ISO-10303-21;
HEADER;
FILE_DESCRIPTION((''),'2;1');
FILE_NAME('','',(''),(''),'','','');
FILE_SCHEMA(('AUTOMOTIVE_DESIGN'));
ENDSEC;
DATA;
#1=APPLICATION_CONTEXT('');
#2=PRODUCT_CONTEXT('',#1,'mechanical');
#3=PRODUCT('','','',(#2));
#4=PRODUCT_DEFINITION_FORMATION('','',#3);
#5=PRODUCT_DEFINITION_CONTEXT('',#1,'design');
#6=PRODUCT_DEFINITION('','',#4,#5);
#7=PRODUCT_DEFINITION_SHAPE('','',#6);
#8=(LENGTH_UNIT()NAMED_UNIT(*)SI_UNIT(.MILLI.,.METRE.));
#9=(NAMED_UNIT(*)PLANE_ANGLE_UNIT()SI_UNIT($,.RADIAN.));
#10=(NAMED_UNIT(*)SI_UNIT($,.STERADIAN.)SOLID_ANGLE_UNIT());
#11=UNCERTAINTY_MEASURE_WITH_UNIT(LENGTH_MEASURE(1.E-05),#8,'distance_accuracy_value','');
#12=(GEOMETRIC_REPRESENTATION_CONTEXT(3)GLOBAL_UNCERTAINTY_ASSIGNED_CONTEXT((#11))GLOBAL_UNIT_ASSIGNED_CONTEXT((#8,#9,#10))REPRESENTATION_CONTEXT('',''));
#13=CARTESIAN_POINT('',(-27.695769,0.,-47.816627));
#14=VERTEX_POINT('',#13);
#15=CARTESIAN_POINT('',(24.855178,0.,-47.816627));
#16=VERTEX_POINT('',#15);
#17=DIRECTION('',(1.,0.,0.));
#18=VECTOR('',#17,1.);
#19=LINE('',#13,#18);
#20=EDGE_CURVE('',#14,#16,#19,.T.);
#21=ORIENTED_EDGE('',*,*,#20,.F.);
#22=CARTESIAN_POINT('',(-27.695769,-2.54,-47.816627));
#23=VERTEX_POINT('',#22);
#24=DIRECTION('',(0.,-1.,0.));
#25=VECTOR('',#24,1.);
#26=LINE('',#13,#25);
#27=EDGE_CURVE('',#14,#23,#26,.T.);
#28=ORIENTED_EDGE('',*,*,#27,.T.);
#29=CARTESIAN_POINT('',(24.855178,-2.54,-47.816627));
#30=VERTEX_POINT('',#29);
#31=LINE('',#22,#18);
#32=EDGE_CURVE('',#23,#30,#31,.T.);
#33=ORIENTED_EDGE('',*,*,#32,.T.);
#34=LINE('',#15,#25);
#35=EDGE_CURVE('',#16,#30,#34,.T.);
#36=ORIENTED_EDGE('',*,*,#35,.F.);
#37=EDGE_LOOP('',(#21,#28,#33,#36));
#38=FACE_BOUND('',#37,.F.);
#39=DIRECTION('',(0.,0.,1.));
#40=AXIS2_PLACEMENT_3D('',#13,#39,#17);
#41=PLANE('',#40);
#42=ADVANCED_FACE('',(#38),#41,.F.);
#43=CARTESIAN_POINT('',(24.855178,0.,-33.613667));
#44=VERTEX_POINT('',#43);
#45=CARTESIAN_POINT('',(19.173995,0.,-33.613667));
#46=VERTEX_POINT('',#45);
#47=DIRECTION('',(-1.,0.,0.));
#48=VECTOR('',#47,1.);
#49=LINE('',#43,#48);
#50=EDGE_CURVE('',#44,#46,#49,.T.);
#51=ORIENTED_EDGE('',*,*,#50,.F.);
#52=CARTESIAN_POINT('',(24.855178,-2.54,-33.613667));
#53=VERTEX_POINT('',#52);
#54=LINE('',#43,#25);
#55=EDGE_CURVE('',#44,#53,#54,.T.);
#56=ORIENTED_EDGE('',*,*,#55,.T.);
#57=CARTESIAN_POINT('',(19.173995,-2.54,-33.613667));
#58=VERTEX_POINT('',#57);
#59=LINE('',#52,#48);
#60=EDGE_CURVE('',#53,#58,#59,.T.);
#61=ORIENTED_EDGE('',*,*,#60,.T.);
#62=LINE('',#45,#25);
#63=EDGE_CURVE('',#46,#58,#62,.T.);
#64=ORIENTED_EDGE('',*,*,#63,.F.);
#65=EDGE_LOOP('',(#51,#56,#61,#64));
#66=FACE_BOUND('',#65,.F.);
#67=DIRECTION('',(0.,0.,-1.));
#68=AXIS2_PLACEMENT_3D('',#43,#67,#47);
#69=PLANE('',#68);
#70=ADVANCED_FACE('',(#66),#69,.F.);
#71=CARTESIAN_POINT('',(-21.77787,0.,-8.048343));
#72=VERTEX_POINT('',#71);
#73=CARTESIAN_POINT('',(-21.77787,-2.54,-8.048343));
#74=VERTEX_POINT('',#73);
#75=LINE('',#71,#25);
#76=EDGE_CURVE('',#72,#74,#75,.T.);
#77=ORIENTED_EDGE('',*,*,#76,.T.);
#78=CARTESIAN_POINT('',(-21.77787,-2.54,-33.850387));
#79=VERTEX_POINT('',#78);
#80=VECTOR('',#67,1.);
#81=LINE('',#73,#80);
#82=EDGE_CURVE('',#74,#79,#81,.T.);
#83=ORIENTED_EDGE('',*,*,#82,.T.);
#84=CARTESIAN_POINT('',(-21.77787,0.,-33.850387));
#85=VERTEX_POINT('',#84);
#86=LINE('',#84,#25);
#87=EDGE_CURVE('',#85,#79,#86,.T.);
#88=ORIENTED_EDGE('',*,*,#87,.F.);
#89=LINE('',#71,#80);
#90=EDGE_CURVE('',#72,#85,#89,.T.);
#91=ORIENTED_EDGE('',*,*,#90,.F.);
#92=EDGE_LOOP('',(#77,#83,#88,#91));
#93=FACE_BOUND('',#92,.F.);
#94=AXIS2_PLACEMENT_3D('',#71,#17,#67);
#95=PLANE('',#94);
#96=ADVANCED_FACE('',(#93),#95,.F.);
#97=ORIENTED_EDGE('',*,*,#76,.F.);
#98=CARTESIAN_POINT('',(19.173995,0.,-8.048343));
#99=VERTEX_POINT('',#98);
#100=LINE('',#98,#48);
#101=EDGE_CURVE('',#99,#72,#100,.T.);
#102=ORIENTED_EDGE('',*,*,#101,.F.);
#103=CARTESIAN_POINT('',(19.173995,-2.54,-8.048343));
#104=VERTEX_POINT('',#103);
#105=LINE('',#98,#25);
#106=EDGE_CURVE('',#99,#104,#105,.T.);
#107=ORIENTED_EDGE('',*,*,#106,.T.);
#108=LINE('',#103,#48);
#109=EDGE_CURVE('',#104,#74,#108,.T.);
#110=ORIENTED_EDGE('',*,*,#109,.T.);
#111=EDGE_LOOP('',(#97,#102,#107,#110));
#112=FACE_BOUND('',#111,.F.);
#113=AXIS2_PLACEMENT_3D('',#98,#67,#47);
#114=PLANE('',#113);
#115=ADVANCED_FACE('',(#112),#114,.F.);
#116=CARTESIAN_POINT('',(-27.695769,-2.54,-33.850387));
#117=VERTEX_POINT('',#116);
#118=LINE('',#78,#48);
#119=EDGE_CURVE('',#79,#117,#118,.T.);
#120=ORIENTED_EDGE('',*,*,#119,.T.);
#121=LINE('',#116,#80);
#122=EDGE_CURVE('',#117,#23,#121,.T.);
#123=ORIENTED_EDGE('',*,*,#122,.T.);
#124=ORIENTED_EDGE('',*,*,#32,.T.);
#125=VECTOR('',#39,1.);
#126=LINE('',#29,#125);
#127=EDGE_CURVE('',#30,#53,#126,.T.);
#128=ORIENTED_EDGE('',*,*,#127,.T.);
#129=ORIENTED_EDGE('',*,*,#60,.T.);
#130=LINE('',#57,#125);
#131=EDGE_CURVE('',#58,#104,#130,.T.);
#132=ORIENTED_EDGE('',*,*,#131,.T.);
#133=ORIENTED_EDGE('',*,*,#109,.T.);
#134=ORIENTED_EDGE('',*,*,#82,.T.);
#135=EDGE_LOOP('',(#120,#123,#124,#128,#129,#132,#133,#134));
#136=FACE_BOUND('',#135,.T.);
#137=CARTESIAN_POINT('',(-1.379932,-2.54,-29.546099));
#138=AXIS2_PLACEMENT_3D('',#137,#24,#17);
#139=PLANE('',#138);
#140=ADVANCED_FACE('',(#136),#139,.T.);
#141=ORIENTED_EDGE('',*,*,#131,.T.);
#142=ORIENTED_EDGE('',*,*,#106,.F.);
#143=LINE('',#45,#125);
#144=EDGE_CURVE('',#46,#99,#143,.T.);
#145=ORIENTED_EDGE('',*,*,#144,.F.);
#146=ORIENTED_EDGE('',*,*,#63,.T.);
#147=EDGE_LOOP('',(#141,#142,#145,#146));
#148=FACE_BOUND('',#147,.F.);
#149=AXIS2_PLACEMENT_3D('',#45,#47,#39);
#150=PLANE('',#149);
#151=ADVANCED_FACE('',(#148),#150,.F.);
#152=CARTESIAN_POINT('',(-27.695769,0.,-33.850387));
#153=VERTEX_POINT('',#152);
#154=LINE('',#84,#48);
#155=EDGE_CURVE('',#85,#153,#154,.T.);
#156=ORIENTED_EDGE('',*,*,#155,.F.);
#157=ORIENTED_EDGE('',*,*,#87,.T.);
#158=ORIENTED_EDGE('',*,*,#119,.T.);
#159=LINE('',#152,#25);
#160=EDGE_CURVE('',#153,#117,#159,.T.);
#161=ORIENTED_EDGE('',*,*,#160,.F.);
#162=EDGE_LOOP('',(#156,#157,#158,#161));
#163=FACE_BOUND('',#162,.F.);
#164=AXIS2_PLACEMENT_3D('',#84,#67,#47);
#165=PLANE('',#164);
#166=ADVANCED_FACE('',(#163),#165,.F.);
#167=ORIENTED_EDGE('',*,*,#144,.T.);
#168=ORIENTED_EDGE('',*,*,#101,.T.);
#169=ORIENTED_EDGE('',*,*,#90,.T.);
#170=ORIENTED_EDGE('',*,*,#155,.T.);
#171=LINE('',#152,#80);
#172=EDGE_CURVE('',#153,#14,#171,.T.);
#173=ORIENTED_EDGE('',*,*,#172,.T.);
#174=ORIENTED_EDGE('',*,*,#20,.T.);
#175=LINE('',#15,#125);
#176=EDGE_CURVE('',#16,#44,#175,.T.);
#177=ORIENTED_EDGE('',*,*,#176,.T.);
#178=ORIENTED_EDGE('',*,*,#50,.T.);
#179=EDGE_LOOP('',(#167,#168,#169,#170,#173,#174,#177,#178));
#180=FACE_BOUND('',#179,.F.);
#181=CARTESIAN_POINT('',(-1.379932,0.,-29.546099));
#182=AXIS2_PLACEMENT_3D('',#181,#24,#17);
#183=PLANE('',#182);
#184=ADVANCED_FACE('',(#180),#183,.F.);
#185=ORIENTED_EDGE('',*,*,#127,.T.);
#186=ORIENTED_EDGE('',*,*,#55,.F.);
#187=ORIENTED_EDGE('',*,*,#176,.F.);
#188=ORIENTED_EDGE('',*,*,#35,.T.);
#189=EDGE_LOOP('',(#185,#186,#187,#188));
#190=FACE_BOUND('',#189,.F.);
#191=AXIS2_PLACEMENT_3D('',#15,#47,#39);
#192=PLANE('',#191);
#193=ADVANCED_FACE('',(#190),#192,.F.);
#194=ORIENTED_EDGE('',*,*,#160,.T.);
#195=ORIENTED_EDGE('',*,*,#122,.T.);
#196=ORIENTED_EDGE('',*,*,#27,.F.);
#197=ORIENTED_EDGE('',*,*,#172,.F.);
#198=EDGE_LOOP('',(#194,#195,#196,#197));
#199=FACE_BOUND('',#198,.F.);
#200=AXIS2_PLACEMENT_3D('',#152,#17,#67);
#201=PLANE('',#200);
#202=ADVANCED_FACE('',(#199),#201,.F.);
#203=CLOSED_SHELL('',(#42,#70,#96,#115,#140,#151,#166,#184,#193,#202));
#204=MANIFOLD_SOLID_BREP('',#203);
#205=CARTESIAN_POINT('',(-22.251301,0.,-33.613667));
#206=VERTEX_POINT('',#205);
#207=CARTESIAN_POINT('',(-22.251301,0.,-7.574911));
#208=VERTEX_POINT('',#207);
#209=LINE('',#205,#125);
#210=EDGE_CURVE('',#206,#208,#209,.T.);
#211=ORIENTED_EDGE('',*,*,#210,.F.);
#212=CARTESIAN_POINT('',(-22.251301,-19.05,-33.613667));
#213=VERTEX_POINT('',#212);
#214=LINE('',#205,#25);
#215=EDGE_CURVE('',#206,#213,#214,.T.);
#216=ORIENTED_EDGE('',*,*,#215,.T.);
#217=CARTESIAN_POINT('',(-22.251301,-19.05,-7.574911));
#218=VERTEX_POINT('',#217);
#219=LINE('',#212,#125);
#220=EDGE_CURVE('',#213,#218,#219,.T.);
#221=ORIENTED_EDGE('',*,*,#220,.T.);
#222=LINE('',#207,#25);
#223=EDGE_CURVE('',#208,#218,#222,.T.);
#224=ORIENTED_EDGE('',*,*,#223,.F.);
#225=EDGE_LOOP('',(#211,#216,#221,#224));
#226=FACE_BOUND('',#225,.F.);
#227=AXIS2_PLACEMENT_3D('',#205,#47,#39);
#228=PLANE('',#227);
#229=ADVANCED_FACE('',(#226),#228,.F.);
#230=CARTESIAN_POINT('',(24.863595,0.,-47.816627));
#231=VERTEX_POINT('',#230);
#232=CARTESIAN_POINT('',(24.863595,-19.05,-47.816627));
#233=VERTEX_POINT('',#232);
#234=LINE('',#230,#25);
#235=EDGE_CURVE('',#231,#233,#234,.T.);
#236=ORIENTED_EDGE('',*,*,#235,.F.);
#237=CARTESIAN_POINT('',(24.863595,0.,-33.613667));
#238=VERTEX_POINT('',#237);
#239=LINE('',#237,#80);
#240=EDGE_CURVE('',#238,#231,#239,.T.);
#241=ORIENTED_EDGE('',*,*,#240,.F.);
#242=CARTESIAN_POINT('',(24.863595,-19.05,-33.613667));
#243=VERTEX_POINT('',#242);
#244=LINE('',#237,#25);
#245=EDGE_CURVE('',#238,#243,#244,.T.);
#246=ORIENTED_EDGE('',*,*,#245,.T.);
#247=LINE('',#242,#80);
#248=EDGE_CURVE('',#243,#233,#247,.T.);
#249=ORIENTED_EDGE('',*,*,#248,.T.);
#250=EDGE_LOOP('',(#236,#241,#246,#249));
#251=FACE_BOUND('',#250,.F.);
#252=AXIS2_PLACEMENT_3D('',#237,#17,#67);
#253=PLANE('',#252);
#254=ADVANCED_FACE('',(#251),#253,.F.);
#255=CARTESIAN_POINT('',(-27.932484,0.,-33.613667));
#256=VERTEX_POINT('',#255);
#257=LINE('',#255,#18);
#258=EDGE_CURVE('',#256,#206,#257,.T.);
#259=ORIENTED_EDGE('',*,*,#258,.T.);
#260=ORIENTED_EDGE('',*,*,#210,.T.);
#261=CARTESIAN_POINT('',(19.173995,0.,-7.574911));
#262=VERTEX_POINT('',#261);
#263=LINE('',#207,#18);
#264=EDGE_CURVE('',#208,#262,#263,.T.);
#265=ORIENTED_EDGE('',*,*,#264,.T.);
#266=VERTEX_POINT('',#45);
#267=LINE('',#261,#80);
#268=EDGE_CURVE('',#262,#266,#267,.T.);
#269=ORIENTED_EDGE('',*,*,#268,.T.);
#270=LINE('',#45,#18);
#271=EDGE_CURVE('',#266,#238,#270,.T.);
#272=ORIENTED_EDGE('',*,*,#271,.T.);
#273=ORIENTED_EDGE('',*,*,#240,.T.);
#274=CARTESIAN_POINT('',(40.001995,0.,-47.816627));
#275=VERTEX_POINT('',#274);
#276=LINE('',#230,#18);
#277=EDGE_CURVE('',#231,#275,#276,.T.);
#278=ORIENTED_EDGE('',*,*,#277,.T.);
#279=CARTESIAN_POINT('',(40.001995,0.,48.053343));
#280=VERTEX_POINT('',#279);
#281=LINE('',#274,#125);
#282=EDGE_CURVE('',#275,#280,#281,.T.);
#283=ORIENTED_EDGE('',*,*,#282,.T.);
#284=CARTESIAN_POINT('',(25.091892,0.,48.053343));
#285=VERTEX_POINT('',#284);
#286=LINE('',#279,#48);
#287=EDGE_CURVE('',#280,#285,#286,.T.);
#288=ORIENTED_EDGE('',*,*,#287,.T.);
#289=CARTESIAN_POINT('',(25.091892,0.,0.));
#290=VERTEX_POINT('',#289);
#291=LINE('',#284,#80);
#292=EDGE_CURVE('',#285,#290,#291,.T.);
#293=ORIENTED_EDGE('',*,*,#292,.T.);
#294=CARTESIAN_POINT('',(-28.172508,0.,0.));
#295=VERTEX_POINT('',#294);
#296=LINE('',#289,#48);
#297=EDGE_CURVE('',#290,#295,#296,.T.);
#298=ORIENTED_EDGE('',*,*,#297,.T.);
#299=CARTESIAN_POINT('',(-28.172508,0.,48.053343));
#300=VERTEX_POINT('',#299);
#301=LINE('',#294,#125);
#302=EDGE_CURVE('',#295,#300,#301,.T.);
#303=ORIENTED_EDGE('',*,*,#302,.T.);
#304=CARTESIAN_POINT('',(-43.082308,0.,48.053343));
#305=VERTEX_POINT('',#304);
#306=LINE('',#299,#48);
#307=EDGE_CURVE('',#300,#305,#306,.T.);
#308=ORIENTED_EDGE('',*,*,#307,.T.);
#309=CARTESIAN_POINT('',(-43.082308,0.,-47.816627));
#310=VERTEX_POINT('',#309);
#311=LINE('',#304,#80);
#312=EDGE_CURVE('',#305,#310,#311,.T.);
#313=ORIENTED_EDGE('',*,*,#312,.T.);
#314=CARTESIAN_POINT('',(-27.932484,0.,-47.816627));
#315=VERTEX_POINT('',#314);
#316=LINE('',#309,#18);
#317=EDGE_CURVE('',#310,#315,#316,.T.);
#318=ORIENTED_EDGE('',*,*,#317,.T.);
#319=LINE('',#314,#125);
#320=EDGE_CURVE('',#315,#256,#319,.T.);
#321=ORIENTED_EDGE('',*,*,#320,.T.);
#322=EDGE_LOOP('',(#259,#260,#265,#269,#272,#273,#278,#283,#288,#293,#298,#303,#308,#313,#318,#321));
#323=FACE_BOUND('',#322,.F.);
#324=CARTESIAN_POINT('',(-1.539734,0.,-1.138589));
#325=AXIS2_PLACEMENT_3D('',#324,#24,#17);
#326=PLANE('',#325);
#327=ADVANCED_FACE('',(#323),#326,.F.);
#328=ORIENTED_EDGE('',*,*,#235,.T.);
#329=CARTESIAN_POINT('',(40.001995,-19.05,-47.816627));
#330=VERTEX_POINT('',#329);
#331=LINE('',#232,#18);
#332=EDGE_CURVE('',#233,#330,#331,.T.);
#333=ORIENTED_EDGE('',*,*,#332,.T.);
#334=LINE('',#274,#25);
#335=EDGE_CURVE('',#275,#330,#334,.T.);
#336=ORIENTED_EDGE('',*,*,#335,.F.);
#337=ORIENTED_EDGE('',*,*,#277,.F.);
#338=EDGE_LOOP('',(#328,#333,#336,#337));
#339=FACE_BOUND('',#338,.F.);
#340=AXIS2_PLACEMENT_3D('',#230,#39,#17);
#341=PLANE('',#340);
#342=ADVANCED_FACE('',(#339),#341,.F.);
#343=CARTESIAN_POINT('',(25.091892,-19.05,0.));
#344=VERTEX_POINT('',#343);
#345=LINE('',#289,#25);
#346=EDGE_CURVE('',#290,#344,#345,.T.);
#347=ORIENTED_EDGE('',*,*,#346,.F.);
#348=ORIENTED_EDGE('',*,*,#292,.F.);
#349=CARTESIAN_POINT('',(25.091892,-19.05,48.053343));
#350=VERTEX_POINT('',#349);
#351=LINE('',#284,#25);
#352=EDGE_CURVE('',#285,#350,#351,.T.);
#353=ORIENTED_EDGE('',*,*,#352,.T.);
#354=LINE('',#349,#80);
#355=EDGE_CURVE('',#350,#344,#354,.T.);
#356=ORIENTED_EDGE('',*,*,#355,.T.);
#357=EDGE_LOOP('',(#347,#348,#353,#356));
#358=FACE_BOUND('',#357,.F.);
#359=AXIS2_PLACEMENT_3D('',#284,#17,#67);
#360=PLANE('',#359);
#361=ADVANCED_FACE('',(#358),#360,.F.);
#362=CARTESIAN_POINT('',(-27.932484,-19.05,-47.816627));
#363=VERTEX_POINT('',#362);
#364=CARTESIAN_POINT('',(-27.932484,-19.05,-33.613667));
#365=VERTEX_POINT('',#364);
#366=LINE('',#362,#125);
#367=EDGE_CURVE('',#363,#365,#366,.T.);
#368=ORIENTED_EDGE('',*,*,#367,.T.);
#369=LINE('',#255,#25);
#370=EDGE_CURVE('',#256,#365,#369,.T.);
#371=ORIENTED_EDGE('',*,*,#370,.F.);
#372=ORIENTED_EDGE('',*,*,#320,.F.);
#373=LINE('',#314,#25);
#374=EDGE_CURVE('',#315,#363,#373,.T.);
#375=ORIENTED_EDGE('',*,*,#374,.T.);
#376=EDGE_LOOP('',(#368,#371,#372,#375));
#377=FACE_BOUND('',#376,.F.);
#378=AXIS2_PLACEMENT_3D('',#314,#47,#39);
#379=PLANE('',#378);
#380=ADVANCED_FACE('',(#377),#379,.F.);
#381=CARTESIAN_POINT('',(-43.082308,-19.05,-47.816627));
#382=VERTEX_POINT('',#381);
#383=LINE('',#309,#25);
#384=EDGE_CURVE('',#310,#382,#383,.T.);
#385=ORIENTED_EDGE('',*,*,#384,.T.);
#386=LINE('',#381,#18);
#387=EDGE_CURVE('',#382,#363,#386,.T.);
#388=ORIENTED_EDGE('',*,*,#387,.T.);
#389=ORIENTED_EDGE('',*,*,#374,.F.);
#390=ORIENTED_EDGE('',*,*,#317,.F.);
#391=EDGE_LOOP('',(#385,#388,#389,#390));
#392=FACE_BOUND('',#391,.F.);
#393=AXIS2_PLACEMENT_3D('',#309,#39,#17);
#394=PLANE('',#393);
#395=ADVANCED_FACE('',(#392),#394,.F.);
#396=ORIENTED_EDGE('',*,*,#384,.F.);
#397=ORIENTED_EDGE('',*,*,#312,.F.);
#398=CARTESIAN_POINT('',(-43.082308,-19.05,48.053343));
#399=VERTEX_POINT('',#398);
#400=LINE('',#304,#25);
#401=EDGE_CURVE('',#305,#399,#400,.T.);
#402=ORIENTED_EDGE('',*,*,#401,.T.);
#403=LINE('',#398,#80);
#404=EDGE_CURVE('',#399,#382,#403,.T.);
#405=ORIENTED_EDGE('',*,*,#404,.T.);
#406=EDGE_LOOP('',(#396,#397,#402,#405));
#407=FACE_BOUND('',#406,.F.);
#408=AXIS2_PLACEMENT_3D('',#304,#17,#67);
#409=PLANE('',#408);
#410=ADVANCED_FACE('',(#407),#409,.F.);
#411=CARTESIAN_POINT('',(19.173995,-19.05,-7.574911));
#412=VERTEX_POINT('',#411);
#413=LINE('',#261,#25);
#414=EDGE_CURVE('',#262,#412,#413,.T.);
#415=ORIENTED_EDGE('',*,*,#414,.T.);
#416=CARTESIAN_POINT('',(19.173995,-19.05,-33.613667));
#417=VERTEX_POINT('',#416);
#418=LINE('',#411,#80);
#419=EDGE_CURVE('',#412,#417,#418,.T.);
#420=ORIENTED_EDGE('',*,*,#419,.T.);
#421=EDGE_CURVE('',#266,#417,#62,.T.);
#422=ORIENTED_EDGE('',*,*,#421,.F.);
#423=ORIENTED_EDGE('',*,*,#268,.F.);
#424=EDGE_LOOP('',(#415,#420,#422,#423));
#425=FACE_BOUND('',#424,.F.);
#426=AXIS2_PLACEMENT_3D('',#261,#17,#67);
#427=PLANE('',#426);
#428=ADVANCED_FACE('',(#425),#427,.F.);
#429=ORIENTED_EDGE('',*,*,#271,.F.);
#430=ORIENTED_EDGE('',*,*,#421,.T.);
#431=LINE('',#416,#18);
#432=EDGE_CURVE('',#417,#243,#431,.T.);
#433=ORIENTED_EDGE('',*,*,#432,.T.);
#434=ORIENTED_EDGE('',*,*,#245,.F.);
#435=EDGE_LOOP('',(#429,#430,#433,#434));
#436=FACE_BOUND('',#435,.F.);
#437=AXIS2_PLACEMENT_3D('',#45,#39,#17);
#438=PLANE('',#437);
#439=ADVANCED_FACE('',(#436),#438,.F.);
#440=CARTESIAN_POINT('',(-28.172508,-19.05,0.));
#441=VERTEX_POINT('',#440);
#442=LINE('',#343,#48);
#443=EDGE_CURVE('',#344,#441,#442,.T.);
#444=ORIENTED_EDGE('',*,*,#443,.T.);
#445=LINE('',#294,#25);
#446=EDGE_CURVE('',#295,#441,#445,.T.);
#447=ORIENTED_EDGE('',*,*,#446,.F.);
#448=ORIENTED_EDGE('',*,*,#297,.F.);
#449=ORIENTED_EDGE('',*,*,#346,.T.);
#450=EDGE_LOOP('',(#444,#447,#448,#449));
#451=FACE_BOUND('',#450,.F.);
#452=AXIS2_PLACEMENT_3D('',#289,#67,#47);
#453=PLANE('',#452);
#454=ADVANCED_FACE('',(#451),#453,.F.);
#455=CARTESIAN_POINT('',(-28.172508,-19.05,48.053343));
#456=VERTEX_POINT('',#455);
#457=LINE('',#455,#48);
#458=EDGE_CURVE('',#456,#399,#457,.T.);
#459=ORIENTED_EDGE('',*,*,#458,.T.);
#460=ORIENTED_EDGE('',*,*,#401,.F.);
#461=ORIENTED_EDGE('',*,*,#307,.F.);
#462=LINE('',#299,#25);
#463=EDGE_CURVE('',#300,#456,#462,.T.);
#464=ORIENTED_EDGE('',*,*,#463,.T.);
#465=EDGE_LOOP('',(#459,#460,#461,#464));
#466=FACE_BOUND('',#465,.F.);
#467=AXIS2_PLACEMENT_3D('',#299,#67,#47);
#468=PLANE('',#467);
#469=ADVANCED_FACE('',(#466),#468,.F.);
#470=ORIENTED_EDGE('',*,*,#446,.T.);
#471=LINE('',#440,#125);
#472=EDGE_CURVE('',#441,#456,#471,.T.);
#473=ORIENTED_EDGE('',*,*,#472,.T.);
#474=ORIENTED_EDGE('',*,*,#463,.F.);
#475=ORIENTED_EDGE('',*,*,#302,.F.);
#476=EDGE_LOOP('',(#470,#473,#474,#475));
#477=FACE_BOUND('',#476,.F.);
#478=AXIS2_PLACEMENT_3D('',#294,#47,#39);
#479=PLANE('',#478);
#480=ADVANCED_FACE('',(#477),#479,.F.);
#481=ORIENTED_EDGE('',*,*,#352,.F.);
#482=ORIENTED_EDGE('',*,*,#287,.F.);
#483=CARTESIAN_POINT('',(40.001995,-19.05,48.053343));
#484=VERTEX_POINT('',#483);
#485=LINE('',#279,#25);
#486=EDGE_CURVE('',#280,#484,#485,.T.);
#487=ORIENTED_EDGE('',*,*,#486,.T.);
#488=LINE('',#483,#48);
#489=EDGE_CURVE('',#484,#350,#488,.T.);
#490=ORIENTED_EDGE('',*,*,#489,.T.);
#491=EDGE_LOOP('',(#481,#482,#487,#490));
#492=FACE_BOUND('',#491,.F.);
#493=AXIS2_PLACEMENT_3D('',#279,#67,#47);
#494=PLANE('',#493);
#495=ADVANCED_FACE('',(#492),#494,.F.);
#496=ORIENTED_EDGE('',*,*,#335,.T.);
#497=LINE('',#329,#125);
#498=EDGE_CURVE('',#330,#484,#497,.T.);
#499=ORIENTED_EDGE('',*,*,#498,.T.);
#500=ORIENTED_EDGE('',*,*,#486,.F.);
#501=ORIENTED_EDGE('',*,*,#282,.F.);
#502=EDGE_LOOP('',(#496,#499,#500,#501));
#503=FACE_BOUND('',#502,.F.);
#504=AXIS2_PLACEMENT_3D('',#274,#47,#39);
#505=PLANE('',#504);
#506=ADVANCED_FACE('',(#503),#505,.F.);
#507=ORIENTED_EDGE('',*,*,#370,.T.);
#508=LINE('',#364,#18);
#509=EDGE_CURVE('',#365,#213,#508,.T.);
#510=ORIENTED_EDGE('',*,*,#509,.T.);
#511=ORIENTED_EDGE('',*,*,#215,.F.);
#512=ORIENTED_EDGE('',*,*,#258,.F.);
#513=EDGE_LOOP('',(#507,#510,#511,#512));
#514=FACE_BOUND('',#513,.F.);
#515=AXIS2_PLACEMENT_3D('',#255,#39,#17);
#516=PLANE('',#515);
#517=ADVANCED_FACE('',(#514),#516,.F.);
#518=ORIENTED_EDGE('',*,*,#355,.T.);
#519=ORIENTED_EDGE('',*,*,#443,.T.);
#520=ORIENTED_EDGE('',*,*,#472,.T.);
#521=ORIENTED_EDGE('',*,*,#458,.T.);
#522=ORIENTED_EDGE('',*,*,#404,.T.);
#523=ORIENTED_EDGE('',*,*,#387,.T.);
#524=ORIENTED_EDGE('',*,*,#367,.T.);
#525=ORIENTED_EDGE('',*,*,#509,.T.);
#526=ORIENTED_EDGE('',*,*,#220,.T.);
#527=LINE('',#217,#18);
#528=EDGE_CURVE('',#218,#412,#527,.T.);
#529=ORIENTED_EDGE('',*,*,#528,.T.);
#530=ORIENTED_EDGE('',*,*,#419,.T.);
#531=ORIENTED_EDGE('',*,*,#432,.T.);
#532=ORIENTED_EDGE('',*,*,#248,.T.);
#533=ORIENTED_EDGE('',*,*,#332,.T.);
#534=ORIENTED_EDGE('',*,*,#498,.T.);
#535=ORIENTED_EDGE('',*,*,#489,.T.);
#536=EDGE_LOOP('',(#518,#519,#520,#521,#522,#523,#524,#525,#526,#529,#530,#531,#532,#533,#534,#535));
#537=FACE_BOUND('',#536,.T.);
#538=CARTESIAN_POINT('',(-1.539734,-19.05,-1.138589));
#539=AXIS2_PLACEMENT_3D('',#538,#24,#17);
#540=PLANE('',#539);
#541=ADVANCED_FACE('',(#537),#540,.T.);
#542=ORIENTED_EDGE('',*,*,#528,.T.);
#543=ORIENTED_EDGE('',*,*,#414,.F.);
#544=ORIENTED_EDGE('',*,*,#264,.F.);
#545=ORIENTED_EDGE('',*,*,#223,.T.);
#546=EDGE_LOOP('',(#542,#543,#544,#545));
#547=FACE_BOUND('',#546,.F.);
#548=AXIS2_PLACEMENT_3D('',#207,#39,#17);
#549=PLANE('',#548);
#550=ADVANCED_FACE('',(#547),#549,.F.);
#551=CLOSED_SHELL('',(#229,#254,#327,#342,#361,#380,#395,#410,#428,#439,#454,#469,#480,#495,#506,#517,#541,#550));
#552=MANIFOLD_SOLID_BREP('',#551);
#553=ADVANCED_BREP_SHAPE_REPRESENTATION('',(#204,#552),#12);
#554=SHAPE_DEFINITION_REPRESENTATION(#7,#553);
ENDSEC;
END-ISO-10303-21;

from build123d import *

# Parameters (mm, degrees)
F1_DEPTH = 19.05
F3_DEPTH = 2.54


with BuildPart() as f1:
    # F0 (on Front) → F1 (new body)
    with BuildSketch(Plane.XZ):
        Polygon((-28.172508, 48.053343), (-43.082308, 48.053343), (-43.082308, -47.816627), (-27.932484, -47.816627), (-27.932484, -33.613667), (-22.251301, -33.613667), (-22.251301, -7.574911), (19.173995, -7.574911), (19.173995, -33.613667), (24.863595, -33.613667), (24.863595, -47.816627), (40.001995, -47.816627), (40.001995, 48.053343), (25.091892, 48.053343), (25.091892, 0), (-28.172508, 0), align=None)
    extrude(amount=F1_DEPTH)


with BuildPart() as f3:
    # F2 (on Front) → F3 (new body)
    with BuildSketch(Plane.XZ):
        Polygon((-27.695769, -33.850387), (-27.695769, -47.816627), (24.855178, -47.816627), (24.855178, -33.613667), (19.173995, -33.613667), (19.173995, -8.048343), (-21.77787, -8.048343), (-21.77787, -33.850387), align=None)
    extrude(amount=F3_DEPTH)


solid = Compound([f1.part, f3.part])
